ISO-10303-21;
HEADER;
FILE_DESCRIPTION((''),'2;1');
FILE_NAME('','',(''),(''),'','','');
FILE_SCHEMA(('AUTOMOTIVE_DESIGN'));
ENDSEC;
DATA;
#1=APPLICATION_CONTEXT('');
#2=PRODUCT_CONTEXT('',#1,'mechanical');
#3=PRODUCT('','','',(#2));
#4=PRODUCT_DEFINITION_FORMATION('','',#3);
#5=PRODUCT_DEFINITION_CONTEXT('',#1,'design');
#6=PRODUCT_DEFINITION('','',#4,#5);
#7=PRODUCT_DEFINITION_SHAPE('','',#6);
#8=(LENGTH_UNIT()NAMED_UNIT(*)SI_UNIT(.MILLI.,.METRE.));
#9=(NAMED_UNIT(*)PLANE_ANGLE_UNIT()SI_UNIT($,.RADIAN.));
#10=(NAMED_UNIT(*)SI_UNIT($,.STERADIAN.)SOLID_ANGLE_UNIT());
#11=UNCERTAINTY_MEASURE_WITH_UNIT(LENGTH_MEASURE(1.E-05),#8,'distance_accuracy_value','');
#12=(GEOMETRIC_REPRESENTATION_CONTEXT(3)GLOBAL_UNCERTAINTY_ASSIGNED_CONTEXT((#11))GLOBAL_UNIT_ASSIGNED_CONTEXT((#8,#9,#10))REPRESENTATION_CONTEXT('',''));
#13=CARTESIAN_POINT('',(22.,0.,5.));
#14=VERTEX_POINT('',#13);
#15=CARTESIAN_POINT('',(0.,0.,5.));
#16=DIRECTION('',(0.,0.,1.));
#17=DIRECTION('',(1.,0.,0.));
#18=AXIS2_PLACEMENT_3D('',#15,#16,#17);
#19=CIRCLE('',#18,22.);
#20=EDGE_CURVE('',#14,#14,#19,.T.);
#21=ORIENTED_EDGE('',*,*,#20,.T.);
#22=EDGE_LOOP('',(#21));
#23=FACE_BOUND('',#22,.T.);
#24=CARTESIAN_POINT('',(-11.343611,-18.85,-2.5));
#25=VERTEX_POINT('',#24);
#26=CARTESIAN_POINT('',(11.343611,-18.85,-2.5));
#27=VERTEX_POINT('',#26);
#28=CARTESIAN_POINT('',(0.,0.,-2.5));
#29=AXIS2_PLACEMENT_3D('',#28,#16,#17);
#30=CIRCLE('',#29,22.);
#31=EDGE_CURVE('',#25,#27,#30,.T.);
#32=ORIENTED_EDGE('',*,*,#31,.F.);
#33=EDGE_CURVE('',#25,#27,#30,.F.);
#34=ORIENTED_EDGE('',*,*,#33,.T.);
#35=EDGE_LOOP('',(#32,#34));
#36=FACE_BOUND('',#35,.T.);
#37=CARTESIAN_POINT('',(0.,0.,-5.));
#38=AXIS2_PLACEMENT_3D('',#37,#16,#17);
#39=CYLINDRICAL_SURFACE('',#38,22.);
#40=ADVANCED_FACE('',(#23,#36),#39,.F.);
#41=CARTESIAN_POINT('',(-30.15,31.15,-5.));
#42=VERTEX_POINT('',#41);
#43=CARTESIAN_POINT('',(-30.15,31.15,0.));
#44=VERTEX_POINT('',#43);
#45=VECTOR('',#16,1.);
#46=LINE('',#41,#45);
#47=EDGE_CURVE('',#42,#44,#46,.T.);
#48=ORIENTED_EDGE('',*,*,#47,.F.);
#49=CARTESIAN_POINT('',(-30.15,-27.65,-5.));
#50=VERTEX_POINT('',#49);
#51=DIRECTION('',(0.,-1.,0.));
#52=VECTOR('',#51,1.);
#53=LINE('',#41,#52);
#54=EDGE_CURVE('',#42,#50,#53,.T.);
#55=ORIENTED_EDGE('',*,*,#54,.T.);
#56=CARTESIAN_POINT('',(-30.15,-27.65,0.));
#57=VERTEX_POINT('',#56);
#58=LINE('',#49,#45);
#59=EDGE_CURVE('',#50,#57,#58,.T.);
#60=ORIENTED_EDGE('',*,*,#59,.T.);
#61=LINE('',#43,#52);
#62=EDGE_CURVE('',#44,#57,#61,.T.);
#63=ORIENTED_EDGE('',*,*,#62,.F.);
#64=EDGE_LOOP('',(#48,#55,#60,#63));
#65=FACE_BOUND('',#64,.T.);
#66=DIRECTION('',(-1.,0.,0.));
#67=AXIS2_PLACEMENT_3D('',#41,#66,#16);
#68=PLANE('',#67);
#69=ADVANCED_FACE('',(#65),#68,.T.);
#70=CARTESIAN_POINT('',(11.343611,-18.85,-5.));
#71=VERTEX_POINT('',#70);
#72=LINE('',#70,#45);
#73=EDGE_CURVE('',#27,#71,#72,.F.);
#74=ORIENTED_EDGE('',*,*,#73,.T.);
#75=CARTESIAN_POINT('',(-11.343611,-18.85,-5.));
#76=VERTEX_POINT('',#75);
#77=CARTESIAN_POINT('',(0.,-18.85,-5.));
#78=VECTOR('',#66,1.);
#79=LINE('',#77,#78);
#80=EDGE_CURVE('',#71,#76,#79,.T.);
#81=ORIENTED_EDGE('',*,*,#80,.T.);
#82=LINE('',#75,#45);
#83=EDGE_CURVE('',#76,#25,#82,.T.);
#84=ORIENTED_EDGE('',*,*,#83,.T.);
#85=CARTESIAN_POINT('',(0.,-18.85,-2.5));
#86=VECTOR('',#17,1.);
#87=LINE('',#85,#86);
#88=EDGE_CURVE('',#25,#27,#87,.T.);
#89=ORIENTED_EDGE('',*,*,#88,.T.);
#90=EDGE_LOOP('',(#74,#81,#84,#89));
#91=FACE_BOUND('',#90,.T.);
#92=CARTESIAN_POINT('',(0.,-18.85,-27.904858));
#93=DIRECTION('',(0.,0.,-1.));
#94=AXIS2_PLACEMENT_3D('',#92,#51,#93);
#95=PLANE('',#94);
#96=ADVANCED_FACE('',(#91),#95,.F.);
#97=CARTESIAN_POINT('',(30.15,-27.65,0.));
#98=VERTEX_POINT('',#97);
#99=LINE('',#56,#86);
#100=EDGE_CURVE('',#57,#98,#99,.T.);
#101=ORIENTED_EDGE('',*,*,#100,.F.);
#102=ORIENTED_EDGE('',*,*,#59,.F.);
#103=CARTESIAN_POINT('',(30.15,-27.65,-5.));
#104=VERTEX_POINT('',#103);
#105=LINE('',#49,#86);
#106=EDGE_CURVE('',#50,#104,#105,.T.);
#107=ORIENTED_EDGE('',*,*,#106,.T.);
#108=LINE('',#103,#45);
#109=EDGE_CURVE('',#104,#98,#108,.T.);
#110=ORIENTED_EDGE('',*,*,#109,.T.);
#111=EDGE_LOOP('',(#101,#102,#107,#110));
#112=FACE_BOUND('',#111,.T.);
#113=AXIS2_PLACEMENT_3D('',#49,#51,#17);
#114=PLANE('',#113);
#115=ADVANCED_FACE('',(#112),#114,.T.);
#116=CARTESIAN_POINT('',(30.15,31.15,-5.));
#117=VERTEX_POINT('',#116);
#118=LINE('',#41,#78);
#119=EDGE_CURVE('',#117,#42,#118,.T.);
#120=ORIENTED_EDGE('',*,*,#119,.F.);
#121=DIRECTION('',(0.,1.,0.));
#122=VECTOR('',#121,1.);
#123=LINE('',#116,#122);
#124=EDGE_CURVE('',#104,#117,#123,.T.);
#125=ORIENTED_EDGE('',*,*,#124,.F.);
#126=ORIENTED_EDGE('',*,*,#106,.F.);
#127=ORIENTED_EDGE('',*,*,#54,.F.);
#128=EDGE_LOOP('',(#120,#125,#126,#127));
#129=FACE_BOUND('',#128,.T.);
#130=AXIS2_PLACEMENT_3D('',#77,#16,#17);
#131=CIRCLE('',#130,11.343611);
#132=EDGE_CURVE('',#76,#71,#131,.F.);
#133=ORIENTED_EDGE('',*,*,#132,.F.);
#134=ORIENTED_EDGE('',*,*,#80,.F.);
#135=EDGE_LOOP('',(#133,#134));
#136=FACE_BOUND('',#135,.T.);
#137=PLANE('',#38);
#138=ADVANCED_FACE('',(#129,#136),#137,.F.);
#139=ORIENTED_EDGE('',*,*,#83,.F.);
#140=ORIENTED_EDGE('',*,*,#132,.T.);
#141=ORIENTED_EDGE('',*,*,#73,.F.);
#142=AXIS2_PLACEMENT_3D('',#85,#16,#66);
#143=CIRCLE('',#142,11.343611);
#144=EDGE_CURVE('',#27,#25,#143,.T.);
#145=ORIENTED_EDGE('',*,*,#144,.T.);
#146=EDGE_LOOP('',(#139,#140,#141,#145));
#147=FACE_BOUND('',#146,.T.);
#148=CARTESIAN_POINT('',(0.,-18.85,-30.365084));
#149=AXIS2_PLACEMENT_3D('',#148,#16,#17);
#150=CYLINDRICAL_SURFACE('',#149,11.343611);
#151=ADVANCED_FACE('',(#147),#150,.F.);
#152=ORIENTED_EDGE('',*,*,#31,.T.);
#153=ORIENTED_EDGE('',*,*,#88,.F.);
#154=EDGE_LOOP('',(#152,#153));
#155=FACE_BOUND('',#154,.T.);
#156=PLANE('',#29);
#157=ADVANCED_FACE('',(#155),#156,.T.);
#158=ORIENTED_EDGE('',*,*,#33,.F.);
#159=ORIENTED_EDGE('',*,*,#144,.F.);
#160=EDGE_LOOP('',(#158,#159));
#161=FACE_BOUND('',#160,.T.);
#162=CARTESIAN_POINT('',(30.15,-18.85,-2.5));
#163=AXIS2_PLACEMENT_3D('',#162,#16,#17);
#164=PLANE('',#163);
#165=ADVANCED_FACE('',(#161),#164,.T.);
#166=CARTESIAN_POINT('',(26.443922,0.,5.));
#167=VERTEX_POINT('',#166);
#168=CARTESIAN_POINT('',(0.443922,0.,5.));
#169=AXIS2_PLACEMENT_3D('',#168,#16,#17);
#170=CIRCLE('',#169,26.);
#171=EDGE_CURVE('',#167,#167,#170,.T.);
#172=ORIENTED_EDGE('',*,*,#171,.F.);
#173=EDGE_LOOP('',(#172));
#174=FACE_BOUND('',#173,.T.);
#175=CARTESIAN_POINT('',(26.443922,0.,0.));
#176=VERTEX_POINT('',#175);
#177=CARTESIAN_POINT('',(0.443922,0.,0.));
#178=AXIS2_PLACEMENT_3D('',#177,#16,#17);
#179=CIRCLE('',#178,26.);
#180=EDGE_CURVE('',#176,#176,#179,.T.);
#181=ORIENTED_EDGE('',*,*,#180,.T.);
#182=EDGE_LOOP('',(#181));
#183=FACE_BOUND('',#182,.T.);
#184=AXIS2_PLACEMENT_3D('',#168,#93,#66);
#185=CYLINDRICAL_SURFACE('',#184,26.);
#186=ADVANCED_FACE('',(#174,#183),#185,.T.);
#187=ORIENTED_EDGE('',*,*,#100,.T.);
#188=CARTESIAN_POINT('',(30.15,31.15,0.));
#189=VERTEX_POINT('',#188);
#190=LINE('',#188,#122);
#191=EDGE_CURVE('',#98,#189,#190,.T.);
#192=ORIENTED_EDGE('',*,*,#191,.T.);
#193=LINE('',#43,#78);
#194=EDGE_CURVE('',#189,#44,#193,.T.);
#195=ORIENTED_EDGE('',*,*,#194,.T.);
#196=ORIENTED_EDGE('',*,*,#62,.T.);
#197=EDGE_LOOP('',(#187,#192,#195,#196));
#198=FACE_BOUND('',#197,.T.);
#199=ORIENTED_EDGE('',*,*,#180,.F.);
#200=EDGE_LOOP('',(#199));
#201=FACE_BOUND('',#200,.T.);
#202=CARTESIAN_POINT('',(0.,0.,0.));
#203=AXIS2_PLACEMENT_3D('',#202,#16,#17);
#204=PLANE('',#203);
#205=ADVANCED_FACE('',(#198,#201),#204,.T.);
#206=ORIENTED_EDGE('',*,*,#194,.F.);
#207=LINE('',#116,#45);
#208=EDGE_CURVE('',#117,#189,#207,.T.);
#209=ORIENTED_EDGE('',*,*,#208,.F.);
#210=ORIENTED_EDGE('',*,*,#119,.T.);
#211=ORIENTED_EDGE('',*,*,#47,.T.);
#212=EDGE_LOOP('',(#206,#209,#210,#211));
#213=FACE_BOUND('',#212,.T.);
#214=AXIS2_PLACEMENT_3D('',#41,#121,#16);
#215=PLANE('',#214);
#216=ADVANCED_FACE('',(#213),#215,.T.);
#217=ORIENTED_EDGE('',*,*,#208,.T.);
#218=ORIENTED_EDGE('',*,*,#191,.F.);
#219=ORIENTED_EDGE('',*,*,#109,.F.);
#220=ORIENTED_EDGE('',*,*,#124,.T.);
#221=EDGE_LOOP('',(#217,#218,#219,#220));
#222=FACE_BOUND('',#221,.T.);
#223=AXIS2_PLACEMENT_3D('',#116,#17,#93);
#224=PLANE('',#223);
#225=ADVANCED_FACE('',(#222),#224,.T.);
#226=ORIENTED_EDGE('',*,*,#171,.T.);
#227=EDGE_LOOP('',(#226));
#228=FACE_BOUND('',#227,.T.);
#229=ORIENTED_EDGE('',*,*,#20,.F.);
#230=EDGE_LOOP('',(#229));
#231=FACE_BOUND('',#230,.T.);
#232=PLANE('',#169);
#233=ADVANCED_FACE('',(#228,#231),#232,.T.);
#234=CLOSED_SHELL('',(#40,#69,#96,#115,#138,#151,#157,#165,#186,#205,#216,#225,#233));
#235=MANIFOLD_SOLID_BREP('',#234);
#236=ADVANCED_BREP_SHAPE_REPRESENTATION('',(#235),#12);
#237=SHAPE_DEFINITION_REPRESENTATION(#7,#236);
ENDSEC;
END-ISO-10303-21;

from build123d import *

# Parameters (mm, degrees)
SKETCH16_W          = 60.3
SKETCH16_H          = 58.8
SKETCH16_R          = 22
BOSS_EXTRUDE2_DEPTH = 5
SKETCH22_W          = 60.3
SKETCH22_H          = 2.5
BOSS_EXTRUDE7_DEPTH = 50
SKETCH23_R          = 26
SKETCH23_R_2        = 22
BOSS_EXTRUDE8_DEPTH = 5
CUT_EXTRUDE3_DEPTH  = 2.5
BOSS_EXTRUDE9_DEPTH = 2.5


with BuildPart() as part:
    # Sketch16 → Boss-Extrude2 (new body)
    with BuildSketch(Plane.XY):
        with Locations((0, 1.75)):
            Rectangle(SKETCH16_W, SKETCH16_H)
        Circle(SKETCH16_R, mode=Mode.SUBTRACT)
    extrude(amount=-BOSS_EXTRUDE2_DEPTH)

    # Sketch22 → Boss-Extrude7 (add)
    with BuildSketch(Plane(origin=(0, 31.15, 0), x_dir=(1, 0, 0), z_dir=(0, 1, 0))):
        with Locations((0, 3.75)):
            Rectangle(SKETCH22_W, SKETCH22_H)
    extrude(amount=-BOSS_EXTRUDE7_DEPTH)

    # Sketch23 → Boss-Extrude8 (add)
    with BuildSketch(Plane.XY):
        with Locations((0.443922204, 0)):
            Circle(SKETCH23_R)
        Circle(SKETCH23_R_2, mode=Mode.SUBTRACT)
    extrude(amount=BOSS_EXTRUDE8_DEPTH)

    # Sketch24 → Cut-Extrude3 (cut)
    with BuildSketch(Plane.XY.offset(-2.5)):
        with BuildLine():
            Line((-11.343610536, -18.85), (11.343610536, -18.85))
            ThreePointArc((11.343610536, -18.85), (0, -7.506389464), (-11.343610536, -18.85))
        make_face()
    extrude(amount=-CUT_EXTRUDE3_DEPTH, mode=Mode.SUBTRACT)

    # Sketch25 → Boss-Extrude9 (add)
    with BuildSketch(Plane.XY.offset(-2.5)):
        with BuildLine():
            Line((11.343610536, -18.85), (-11.343610536, -18.85))
            ThreePointArc((-11.343610536, -18.85), (0, -22), (11.343610536, -18.85))
        make_face()
    extrude(amount=-BOSS_EXTRUDE9_DEPTH)


solid = part.part
